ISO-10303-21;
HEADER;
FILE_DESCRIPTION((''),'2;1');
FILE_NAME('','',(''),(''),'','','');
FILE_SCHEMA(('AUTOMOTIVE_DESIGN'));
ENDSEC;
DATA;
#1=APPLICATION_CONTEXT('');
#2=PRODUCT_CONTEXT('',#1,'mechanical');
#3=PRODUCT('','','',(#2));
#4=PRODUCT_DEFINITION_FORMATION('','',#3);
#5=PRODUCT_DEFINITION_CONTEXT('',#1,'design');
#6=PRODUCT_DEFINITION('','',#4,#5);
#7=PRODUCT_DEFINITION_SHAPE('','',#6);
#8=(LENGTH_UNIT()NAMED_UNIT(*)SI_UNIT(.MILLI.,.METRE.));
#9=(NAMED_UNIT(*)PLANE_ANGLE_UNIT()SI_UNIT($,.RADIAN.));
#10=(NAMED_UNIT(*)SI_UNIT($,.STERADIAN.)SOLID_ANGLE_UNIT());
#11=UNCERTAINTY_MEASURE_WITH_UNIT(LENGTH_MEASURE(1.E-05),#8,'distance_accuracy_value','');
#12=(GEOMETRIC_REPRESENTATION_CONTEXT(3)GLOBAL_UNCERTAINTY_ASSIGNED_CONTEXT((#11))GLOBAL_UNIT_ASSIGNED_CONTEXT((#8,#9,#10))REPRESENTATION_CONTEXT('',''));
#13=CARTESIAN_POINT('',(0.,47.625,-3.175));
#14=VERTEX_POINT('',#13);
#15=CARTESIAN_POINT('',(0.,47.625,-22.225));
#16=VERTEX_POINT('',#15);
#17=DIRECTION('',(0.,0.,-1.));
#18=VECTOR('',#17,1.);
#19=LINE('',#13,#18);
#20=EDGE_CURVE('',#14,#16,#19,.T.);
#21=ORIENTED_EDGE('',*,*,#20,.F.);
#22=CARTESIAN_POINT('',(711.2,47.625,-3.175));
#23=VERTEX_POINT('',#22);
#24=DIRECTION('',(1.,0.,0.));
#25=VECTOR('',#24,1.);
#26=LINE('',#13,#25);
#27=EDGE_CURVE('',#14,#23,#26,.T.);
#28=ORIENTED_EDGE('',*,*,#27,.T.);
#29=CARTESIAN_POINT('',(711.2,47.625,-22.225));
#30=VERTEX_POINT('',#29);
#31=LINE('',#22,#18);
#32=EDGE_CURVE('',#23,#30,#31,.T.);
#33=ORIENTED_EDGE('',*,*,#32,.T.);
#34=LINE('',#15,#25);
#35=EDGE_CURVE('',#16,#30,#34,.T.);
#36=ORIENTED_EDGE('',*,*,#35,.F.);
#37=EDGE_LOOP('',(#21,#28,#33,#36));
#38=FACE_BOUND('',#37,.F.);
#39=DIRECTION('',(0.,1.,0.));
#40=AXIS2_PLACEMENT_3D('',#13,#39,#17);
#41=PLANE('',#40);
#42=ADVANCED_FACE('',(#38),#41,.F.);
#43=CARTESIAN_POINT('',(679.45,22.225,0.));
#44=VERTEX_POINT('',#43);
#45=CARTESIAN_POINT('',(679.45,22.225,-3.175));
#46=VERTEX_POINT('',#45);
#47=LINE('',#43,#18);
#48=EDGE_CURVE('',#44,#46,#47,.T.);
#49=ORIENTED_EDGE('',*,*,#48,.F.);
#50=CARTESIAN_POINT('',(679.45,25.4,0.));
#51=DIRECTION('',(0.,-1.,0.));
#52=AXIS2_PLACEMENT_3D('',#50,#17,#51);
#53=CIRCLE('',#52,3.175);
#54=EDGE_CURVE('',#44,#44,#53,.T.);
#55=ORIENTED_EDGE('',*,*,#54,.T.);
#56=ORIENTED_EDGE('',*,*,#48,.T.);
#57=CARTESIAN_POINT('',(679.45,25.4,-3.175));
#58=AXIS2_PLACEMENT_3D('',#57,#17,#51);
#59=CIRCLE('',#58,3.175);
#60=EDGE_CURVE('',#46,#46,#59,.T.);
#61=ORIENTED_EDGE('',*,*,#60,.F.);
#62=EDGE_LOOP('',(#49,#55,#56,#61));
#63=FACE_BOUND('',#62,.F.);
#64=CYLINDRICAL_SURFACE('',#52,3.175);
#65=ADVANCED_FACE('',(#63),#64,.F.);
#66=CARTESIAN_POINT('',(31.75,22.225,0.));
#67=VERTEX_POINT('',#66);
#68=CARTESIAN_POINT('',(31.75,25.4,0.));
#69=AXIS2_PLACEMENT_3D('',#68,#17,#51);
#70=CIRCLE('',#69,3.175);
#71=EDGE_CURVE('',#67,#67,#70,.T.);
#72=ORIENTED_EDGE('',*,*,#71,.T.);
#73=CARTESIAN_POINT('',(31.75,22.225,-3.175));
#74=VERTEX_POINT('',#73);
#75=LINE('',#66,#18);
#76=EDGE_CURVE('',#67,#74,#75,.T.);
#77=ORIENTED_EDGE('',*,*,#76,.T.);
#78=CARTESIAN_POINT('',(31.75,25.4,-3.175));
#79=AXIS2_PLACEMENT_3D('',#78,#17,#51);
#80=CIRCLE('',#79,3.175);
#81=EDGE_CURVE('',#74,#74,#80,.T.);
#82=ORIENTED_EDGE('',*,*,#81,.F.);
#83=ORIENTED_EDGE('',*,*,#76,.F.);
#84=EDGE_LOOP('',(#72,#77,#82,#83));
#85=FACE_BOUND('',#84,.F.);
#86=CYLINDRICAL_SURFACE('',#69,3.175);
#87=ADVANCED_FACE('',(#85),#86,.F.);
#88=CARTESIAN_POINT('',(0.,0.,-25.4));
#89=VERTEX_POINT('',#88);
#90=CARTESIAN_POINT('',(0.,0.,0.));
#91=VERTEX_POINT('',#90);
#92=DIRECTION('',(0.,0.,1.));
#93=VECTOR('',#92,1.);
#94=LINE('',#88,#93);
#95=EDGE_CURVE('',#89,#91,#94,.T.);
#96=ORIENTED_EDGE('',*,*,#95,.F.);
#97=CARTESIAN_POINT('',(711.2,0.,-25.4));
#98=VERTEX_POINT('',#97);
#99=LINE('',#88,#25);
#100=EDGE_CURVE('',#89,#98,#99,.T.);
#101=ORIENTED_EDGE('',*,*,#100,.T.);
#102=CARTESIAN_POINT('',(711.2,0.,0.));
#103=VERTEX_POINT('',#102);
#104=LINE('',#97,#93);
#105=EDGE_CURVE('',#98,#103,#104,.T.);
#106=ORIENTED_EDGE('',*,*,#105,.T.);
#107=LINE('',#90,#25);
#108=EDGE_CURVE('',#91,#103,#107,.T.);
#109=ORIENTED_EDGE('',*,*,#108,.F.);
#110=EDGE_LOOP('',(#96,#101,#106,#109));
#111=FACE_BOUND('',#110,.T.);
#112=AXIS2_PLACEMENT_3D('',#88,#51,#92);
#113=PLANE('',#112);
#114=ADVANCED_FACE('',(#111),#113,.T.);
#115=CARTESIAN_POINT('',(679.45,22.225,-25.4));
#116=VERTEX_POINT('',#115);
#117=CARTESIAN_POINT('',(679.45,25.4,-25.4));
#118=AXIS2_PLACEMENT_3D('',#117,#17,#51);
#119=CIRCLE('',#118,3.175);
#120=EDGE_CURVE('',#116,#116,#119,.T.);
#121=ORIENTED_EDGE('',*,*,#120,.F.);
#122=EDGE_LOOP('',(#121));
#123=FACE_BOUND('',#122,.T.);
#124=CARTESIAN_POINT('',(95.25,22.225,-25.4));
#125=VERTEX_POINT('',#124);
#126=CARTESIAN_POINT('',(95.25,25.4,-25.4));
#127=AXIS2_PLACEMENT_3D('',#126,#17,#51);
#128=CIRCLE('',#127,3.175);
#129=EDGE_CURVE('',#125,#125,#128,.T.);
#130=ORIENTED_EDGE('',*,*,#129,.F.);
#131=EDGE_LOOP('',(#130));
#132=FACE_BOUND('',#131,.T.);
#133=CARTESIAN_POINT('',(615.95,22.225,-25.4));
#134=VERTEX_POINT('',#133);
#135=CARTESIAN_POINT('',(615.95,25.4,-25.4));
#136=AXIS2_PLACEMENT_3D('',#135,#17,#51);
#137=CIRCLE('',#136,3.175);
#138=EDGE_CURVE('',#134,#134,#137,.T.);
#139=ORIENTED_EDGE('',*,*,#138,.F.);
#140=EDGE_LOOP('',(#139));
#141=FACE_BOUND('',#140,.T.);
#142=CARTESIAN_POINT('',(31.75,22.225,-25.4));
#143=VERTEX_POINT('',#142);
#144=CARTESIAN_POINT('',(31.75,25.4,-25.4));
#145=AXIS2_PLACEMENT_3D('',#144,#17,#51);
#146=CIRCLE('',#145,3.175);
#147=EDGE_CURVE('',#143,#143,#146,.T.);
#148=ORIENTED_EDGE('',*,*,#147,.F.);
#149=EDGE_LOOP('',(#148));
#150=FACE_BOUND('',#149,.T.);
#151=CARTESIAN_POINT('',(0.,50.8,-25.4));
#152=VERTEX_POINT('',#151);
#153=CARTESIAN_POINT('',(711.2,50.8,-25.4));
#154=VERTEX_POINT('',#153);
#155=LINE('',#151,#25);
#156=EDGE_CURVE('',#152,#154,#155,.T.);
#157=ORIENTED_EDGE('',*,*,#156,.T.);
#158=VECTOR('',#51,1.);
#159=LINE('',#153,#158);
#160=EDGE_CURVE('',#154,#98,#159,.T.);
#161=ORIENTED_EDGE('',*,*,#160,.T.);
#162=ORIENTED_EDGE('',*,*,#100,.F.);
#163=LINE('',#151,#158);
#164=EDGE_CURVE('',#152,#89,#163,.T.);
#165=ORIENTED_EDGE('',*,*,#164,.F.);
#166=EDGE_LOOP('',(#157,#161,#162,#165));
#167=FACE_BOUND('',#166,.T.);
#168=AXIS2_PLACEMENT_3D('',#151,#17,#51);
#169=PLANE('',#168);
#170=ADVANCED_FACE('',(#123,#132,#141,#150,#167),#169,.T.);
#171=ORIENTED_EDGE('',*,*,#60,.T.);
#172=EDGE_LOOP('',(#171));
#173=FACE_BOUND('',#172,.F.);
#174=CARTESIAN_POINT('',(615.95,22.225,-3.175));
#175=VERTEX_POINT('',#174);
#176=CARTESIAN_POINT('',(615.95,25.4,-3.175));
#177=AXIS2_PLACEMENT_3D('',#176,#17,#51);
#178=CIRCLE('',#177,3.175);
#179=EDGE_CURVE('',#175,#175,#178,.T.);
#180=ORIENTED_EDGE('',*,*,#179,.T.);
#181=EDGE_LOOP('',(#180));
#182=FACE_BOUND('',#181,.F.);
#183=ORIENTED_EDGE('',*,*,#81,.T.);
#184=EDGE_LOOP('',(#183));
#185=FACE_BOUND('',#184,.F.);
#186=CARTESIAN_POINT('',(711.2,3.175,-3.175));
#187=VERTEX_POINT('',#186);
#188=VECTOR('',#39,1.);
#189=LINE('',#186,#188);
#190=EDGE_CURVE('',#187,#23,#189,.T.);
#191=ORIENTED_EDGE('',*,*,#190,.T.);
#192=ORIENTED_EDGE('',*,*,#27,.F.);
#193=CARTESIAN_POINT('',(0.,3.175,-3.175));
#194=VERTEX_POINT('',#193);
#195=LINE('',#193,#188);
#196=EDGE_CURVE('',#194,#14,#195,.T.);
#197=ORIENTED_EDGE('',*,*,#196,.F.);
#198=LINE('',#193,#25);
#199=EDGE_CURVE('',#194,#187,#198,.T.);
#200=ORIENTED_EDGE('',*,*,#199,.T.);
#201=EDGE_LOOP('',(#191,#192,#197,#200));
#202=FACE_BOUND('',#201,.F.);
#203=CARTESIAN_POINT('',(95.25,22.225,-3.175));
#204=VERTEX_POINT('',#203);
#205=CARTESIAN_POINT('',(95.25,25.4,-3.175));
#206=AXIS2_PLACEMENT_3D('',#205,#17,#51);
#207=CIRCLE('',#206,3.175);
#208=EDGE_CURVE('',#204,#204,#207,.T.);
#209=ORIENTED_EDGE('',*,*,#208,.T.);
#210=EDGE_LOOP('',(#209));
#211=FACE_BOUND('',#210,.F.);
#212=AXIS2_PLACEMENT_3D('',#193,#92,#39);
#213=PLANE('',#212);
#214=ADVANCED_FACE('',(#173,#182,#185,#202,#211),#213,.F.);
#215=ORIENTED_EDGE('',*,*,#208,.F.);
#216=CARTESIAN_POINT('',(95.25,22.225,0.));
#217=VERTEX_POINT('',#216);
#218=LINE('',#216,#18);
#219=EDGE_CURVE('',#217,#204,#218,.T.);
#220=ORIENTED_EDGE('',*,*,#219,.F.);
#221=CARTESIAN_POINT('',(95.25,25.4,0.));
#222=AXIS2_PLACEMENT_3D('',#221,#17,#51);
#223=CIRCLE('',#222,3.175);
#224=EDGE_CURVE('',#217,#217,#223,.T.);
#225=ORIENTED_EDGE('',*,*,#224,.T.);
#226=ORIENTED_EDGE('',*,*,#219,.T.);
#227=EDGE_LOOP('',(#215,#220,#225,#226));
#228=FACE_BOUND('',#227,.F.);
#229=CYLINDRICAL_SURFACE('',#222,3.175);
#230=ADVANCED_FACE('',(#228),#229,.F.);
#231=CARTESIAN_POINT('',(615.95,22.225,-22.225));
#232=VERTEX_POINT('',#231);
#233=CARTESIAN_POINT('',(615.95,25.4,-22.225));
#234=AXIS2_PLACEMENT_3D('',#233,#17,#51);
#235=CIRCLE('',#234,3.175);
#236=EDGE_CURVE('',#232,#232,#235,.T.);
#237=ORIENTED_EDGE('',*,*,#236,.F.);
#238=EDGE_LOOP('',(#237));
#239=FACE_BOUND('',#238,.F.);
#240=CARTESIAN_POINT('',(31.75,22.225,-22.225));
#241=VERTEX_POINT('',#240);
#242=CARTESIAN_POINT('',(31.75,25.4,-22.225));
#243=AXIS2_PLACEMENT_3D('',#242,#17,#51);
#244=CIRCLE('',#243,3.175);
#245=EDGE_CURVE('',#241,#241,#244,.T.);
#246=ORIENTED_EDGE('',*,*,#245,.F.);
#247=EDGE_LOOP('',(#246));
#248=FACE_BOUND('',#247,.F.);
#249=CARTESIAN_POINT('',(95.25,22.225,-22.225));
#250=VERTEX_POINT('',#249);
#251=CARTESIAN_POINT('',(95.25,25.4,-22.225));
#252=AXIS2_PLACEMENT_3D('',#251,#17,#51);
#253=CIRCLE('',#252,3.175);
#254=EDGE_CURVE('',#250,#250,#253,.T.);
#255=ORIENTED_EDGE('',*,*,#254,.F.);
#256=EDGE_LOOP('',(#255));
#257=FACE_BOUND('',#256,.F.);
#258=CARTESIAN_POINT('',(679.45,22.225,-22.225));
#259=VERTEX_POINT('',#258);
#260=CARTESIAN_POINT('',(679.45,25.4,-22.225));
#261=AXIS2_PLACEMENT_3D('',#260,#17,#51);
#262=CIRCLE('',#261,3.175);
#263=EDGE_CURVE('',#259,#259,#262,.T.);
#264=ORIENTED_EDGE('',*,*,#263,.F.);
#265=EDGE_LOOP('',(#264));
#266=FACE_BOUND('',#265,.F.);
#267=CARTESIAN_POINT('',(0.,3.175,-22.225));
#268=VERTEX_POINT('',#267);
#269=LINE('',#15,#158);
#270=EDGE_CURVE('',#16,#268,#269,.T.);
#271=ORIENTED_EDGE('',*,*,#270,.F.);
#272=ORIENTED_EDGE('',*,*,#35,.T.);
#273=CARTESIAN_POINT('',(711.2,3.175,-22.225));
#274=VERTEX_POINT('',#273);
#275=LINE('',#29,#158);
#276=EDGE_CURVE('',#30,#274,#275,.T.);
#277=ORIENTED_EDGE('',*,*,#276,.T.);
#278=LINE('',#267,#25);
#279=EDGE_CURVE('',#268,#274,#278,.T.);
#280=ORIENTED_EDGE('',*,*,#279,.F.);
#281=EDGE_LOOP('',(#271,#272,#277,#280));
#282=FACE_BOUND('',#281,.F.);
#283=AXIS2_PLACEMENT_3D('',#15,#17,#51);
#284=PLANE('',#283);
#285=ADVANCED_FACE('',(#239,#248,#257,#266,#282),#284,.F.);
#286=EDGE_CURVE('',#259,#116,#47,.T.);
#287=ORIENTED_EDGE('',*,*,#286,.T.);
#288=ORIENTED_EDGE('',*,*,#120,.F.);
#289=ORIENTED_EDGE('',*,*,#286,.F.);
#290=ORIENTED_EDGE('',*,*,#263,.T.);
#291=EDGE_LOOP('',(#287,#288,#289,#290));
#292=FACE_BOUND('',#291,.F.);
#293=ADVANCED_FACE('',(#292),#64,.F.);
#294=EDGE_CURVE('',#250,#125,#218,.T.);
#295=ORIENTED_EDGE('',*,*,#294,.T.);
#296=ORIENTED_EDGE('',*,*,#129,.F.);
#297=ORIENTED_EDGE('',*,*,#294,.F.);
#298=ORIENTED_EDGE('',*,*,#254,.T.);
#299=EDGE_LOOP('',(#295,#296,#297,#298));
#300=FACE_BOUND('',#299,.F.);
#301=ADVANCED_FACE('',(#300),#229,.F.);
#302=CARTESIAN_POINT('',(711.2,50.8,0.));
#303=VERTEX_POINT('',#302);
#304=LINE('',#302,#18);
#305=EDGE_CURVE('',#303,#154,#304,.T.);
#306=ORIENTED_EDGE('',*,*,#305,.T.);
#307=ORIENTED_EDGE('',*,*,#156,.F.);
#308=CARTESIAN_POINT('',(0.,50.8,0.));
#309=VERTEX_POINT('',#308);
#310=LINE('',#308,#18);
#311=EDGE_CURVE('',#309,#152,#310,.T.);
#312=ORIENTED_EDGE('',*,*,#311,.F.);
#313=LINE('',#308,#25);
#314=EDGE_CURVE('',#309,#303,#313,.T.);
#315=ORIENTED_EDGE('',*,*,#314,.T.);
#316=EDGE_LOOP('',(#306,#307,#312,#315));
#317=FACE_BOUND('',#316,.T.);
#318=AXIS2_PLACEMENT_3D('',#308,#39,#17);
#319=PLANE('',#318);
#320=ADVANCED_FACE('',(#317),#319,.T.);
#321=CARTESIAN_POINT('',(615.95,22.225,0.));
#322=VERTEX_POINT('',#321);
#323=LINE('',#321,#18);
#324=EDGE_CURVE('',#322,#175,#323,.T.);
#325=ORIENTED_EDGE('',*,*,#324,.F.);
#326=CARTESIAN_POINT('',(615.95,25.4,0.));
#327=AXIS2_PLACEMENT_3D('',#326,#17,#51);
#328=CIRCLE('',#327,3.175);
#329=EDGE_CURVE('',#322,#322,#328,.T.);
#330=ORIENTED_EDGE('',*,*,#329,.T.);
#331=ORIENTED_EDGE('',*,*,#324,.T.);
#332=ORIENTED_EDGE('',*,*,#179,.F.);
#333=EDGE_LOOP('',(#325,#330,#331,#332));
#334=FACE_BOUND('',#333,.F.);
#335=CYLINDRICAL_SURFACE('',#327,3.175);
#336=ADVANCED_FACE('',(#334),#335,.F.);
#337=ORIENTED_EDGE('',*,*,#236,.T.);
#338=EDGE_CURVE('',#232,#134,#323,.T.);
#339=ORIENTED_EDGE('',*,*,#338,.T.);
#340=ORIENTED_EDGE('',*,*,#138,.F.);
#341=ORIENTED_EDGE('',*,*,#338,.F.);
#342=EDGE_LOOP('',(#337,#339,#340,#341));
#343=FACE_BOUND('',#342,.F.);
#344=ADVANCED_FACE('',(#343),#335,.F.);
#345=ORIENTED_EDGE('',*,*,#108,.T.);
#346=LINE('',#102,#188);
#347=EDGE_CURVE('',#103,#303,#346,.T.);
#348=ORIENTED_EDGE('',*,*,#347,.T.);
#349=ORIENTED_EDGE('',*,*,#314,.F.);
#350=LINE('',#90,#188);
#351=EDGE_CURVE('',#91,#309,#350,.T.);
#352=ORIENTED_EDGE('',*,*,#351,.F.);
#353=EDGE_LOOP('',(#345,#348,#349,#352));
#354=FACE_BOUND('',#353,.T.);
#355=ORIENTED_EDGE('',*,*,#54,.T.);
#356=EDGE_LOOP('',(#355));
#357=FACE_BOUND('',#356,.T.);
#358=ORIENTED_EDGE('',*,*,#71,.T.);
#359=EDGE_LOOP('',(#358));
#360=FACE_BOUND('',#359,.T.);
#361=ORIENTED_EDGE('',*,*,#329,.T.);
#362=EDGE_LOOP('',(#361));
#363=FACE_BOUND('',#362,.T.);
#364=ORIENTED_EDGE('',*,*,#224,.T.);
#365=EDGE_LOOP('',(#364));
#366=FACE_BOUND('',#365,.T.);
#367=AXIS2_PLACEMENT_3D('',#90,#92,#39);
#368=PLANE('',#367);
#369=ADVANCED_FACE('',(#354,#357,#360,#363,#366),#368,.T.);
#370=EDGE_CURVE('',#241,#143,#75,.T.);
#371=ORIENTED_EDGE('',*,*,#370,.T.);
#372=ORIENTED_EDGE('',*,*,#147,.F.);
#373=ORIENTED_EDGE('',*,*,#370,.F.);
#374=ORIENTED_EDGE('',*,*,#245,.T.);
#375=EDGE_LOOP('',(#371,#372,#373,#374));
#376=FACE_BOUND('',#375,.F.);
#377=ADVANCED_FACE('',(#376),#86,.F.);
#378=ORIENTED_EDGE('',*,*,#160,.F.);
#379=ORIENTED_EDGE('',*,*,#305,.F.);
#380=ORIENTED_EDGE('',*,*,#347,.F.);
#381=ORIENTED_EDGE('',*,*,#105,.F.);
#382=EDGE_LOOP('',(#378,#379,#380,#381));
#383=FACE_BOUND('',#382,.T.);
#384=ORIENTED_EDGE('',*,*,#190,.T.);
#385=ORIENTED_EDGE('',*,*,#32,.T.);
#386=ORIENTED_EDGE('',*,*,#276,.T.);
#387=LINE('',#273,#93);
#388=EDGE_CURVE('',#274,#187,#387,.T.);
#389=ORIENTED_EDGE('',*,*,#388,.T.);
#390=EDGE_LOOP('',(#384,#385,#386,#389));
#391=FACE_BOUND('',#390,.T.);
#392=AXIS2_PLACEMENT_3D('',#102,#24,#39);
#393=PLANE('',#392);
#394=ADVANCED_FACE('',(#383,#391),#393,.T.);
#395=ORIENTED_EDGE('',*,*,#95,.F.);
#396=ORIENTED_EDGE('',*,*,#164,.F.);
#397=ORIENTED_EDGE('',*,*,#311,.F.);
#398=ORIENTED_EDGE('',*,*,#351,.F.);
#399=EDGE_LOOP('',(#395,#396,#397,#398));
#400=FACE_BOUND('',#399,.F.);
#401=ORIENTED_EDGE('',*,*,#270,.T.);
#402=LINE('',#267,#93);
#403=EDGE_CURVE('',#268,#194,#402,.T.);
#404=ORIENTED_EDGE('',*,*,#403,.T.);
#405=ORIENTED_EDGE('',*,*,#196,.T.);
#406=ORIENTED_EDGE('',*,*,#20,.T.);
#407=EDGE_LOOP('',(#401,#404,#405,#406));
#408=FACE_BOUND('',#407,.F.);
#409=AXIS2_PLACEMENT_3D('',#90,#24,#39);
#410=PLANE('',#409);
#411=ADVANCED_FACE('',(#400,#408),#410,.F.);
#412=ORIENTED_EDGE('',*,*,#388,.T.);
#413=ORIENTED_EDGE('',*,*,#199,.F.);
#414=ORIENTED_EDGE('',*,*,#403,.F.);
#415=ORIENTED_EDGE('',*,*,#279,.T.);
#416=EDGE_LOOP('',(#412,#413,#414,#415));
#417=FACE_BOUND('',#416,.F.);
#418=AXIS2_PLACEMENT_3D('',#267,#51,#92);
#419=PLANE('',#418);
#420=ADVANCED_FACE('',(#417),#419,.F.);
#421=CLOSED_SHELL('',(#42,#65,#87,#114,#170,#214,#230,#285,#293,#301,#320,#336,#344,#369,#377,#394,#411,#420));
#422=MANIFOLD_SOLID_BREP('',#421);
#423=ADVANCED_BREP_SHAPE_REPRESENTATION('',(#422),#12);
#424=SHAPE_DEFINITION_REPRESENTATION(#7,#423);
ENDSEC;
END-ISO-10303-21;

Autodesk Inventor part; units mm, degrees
ref_plane "YZ Plane" through (0, 0, 0) normal (1, 0, 0) x (0, 1, 0)
ref_plane "XZ Plane" through (0, 0, 0) normal (0, 1, 0) x (-1, 0, 0)
ref_plane "XY Plane" through (0, 0, 0) normal (0, 0, 1) x (1, 0, 0)
sketch "Sketch1" plane through (0, 0, 0) normal (1, 0, 0) x (0, 1, 0)
  line L0 (0, 0) -> (50.8, 0)
  line L1 (50.8, 0) -> (50.8, -25.4)
  line L2 (50.8, -25.4) -> (0, -25.4)
  line L3 (0, -25.4) -> (0, 0)
  line L4 (3.175, -3.175) -> (47.625, -3.175)
  line L5 (47.625, -3.175) -> (47.625, -22.225)
  line L6 (47.625, -22.225) -> (3.175, -22.225)
  line L7 (3.175, -22.225) -> (3.175, -3.175)
  dimension "d0" = 50.8
  dimension "d1" = 25.4
  dimension "d2" = 44.45
  dimension "d3" = 19.05
  dimension "d4" = 3.175
  dimension "d5" = 3.175
extrude "Extrusion1" add sketch "Sketch1" along normal blind 711.2
sketch "Sketch2" plane through (0, 0, 0) normal (0, 0, 1) x (1, 0, 0)
  line L0 (0, 0) -> (0, 50.8) projected
  line L1 (0, 0) -> (711.2, 0) projected
  line L2 (711.2, 50.8) -> (711.2, 0) projected
  line L3 (0, 50.8) -> (711.2, 50.8) projected
  point P0 (31.75, 25.4)
  point P1 (679.45, 25.4)
  dimension "d8" = 31.75
  dimension "d9" = 25.4
  dimension "d10" = 31.75
  dimension "d11" = 25.4
hole "Hole3" at (31.75, 25.4, 0) at (679.45, 25.4, 0) direction (0, 0, -1) diameter 6.35 end through all
sketch "Sketch3" plane through (0, 0, 0) normal (0, 0, 1) x (1, 0, 0)
  circle A0 centre (31.75, 25.4) radius 3.175 projected
  circle A1 centre (679.45, 25.4) radius 3.175 projected
  line L0 (0, 0) -> (0, 50.8) projected
  line L1 (0, 0) -> (711.2, 0) projected
  line L2 (711.2, 50.8) -> (711.2, 0) projected
  line L3 (0, 50.8) -> (711.2, 50.8) projected
  point P0 (95.25, 25.4)
  point P1 (615.95, 25.4)
  dimension "d37" = 95.25
  dimension "d38" = 25.4
  dimension "d39" = 25.4
  dimension "d40" = 95.25
hole "Hole4" at (95.25, 25.4, 0) at (615.95, 25.4, 0) direction (0, 0, -1) diameter 6.35 end through all
properties part number "frame_wide"
